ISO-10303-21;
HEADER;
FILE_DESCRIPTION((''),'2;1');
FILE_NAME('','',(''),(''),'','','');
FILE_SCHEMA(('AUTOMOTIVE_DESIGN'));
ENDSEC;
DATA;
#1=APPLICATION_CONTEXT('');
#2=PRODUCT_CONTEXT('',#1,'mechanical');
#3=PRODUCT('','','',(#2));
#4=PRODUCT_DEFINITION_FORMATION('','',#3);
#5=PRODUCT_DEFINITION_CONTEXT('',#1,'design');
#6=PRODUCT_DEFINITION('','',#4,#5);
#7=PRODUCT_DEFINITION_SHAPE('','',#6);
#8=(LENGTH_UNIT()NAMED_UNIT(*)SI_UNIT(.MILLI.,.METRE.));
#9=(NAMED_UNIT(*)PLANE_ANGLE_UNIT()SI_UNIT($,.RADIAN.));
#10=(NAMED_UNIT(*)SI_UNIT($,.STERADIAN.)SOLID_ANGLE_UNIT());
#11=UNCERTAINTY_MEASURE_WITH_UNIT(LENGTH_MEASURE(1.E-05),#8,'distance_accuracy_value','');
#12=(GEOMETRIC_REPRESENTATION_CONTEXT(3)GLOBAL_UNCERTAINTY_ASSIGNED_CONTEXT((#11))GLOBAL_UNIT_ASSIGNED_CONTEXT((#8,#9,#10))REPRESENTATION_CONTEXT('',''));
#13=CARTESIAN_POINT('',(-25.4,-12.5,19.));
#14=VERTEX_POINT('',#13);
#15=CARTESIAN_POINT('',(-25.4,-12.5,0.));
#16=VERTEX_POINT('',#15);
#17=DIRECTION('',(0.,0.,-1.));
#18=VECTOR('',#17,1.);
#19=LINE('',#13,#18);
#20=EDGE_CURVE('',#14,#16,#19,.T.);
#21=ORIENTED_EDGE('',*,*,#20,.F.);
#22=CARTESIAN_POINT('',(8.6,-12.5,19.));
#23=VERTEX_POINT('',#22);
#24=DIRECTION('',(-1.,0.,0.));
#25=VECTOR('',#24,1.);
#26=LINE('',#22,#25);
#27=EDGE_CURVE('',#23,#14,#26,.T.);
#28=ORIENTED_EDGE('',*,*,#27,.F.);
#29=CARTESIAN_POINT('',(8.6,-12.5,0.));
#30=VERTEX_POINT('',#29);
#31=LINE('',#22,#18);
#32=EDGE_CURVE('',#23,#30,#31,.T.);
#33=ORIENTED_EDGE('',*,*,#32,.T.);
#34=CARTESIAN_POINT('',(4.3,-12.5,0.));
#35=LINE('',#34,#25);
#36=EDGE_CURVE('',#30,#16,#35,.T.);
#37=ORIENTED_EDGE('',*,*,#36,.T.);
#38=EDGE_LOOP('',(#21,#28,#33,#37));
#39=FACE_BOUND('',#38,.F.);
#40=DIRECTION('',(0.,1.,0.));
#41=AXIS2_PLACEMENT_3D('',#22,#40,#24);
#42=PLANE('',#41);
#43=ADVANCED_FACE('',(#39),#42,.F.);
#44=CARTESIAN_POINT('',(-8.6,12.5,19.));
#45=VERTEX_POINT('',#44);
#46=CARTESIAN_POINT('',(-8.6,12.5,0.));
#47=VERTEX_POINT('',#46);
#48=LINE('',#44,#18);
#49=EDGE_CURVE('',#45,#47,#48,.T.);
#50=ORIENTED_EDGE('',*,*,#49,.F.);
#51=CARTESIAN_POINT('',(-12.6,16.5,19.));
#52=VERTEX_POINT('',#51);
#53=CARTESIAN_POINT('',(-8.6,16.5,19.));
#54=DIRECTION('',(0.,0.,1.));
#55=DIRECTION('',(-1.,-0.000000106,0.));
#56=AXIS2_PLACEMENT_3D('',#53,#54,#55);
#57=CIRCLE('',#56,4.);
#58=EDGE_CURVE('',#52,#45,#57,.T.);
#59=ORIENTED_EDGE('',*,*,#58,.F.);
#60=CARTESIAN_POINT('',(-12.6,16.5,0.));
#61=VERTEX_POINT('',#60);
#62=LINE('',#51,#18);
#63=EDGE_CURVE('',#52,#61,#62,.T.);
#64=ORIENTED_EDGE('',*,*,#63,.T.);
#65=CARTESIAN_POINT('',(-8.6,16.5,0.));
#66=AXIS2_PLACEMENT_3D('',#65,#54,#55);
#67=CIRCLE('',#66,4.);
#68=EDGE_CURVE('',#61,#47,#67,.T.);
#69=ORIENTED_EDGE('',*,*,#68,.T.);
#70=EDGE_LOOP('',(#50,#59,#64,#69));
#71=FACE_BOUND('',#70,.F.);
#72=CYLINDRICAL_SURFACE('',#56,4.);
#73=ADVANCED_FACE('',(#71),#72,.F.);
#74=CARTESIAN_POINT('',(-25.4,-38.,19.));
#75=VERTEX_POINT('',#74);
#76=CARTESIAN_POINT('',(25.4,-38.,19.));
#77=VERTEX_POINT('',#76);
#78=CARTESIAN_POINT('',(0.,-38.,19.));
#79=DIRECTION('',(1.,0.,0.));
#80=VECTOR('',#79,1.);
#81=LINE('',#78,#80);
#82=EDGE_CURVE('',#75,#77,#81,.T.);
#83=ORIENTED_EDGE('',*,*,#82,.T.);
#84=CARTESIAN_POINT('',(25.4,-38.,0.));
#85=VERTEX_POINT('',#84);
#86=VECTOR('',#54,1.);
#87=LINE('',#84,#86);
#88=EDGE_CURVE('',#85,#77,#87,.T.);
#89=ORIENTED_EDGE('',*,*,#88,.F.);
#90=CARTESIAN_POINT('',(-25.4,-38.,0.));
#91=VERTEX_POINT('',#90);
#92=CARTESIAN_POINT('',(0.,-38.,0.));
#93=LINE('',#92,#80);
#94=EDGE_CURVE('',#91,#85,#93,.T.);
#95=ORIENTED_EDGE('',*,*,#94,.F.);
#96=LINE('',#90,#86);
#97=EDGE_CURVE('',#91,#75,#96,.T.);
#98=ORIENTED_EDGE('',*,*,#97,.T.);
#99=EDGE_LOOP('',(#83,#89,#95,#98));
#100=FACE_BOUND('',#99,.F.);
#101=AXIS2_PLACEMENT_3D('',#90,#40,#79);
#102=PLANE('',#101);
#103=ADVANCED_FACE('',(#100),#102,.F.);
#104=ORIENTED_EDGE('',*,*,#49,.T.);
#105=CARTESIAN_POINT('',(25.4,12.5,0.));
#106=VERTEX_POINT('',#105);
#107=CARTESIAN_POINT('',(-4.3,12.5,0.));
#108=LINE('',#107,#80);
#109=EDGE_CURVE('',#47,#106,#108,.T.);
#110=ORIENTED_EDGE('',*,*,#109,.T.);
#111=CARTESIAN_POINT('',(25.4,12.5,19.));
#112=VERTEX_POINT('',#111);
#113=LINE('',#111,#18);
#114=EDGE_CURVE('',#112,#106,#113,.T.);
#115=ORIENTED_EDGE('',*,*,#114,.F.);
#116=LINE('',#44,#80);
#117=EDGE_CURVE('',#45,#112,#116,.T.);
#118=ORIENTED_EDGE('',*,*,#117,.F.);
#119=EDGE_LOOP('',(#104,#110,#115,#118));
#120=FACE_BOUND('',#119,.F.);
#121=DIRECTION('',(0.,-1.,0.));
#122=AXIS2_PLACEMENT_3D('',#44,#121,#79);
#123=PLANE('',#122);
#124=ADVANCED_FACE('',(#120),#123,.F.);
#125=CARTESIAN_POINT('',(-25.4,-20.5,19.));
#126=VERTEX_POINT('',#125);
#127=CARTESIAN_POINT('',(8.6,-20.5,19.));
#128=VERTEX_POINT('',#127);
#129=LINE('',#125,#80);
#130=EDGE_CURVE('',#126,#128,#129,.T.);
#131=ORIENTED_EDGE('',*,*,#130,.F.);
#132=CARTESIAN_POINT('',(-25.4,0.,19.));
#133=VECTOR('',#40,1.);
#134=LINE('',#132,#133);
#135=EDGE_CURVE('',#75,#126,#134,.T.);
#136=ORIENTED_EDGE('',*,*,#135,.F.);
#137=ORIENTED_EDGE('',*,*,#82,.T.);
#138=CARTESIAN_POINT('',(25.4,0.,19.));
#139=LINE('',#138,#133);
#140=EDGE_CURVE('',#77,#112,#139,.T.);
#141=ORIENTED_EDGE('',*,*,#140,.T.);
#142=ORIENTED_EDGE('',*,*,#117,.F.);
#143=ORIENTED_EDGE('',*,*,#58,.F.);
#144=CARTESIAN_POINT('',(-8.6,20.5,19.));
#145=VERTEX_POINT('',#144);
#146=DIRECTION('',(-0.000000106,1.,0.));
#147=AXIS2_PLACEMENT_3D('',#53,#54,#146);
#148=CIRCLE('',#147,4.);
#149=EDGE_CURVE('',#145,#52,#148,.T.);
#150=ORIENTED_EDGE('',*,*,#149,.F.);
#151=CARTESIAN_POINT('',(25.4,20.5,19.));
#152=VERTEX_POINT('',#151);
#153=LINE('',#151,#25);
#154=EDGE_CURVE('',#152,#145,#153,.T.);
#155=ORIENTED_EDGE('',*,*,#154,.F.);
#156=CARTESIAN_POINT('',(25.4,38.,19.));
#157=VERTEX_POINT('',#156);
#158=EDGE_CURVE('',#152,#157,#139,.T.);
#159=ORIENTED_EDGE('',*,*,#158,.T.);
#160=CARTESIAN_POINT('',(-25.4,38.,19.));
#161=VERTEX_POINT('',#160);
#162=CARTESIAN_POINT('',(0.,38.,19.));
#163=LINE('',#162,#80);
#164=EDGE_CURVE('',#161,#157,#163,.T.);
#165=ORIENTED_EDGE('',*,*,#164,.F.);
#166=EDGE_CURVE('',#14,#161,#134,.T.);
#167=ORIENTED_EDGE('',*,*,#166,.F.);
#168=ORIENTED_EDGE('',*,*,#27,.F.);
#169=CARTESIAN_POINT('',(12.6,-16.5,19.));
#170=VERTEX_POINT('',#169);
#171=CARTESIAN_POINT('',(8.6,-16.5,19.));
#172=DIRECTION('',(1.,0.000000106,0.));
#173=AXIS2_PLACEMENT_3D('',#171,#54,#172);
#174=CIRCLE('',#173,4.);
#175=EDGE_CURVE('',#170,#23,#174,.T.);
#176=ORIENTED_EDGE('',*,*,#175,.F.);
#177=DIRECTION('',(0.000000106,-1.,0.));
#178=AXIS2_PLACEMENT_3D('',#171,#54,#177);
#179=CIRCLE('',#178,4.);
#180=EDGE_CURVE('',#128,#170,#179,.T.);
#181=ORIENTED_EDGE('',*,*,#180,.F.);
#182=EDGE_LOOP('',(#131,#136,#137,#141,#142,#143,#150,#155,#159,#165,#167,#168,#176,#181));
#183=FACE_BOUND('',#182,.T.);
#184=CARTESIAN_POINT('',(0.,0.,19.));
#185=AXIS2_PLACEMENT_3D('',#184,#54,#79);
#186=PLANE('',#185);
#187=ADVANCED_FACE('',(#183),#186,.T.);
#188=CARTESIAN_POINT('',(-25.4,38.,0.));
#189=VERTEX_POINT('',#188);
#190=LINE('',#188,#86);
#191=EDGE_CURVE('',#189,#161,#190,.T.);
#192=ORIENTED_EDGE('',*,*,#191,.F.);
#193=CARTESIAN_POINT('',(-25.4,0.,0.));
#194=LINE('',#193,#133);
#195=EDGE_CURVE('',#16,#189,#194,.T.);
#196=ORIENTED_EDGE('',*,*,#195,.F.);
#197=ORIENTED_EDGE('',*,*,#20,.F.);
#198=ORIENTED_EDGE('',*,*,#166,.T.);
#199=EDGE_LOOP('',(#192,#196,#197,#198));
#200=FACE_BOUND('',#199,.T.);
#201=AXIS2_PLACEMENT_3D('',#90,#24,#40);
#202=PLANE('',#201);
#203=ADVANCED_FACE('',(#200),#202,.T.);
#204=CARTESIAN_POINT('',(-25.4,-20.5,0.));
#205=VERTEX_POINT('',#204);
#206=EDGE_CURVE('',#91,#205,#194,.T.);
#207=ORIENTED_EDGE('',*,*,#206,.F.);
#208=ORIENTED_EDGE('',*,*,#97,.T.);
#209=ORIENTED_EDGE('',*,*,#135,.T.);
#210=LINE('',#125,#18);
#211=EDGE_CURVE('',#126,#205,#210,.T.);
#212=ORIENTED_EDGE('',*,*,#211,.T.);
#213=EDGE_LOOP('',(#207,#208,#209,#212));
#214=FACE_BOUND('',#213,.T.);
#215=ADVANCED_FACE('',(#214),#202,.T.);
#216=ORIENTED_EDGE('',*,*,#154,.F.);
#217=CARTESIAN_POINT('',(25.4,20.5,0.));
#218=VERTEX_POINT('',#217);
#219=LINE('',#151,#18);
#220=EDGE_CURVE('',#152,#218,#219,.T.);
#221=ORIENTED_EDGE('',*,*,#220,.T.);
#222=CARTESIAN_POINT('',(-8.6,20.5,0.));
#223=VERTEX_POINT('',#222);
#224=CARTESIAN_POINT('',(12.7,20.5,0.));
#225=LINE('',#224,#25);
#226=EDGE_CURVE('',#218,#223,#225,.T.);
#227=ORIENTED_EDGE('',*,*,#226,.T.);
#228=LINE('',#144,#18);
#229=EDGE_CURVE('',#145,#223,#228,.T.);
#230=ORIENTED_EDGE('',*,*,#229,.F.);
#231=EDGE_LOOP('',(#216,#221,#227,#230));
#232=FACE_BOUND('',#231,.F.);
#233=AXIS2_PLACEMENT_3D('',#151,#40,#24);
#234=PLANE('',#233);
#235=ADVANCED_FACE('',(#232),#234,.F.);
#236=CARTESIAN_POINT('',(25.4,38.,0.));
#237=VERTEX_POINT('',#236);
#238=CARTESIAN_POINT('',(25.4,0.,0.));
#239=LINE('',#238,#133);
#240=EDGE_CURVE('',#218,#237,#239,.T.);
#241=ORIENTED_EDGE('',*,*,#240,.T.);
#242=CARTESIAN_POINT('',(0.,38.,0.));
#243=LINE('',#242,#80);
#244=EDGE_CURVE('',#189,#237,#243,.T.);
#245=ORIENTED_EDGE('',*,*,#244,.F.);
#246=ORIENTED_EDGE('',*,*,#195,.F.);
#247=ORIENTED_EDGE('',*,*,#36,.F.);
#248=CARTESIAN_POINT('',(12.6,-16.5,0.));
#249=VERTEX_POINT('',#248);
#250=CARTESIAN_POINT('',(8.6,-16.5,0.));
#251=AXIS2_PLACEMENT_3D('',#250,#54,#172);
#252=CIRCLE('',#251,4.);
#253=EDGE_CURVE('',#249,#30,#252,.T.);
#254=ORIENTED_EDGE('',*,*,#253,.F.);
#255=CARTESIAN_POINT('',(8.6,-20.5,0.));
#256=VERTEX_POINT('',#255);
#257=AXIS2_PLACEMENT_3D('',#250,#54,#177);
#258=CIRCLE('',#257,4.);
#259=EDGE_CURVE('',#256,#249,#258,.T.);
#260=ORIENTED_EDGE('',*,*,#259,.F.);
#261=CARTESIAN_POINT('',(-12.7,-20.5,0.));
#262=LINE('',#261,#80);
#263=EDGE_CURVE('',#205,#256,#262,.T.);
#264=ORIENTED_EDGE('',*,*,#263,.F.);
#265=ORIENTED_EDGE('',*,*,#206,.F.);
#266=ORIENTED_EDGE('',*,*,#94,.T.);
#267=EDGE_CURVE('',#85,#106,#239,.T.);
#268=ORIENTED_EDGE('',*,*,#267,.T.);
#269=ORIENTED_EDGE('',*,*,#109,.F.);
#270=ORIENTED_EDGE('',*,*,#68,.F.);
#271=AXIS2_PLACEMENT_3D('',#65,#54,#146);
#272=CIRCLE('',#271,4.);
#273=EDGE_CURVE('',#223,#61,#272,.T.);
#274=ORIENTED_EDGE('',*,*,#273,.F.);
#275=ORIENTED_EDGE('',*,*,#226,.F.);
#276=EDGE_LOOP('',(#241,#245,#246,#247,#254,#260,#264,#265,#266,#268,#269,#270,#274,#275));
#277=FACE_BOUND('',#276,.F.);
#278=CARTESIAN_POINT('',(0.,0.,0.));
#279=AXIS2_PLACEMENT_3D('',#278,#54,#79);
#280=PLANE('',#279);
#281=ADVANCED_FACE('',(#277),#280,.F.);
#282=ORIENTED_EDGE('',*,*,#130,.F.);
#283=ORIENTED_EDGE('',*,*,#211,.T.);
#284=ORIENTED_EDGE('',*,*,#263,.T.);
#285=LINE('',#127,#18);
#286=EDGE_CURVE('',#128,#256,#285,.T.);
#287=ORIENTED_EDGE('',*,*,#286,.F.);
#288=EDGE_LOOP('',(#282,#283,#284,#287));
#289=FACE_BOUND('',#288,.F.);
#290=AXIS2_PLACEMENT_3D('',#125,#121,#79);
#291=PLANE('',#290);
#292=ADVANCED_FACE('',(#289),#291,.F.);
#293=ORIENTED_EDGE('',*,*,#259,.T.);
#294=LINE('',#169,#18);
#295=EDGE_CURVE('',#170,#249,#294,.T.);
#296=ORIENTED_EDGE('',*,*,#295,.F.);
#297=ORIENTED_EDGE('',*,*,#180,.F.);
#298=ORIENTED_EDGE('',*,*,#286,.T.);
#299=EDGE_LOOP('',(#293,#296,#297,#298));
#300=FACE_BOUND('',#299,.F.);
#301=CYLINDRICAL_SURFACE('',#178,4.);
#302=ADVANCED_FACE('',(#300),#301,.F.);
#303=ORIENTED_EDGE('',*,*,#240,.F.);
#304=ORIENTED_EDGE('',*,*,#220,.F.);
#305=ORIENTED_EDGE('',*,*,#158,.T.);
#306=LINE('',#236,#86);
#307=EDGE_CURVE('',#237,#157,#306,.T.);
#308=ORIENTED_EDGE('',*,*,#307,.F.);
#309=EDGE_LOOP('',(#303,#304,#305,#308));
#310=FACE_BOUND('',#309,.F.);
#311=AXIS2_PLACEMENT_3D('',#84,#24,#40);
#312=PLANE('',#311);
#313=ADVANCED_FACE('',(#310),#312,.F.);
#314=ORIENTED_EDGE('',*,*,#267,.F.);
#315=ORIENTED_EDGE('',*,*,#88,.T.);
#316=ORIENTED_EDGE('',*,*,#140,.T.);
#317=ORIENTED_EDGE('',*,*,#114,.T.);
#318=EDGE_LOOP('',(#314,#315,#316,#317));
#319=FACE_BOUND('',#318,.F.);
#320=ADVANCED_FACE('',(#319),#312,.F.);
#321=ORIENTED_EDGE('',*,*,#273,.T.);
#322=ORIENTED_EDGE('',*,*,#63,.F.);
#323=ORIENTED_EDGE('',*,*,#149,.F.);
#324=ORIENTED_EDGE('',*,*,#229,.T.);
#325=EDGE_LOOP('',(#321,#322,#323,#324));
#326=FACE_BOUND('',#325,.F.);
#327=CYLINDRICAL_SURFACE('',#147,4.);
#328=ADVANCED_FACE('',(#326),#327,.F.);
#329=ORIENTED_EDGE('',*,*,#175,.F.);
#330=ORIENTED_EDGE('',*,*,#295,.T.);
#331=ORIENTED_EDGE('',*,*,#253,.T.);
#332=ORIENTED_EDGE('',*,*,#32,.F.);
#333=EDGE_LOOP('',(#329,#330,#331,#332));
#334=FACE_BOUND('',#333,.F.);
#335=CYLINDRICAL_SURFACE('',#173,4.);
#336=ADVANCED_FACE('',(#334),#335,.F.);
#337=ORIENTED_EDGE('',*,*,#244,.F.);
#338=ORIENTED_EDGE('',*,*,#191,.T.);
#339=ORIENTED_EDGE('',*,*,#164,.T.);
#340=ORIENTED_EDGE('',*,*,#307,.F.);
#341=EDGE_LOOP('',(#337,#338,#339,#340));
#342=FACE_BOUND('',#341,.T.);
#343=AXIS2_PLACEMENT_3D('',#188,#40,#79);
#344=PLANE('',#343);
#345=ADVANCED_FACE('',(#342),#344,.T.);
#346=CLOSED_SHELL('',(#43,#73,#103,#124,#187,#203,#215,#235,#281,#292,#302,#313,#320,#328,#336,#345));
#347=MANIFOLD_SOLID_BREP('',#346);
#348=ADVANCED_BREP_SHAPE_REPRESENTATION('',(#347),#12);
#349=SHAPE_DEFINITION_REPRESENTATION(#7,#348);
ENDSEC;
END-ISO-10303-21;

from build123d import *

# Parameters (mm, degrees)
F0_W     = 50.8
F0_H     = 76
F1_DEPTH = 19
F3_DEPTH = 19.001
F5_DEPTH = 19.001


with BuildPart() as f1:
    # F0 (on Top) → F1 (new body)
    with BuildSketch(Plane.XY):
        Rectangle(F0_W, F0_H)
    extrude(amount=F1_DEPTH)

    # F2 (on face) → F3 (cut, through all)
    with BuildSketch(Plane.XY.offset(19)):
        with BuildLine():
            Line((-25.4, -12.5), (-25.4, -20.5))
            Line((-25.4, -20.5), (8.6, -20.5))
            ThreePointArc((8.6, -20.5), (11.428427, -19.328427), (12.6, -16.5))
            ThreePointArc((12.6, -16.5), (11.428427, -13.671573), (8.6, -12.5))
            Line((8.6, -12.5), (-25.4, -12.5))
        make_face()
    extrude(amount=-F3_DEPTH, mode=Mode.SUBTRACT)

    # F4 (on face) → F5 (cut, through all)
    with BuildSketch(Plane.XY.offset(19)):
        with BuildLine():
            Line((25.4, 12.5), (25.4, 20.5))
            Line((25.4, 20.5), (-8.6, 20.5))
            ThreePointArc((-8.6, 20.5), (-11.428427, 19.328427), (-12.6, 16.5))
            ThreePointArc((-12.6, 16.5), (-11.428427, 13.671573), (-8.6, 12.5))
            Line((-8.6, 12.5), (25.4, 12.5))
        make_face()
    extrude(amount=-F5_DEPTH, mode=Mode.SUBTRACT)


solid = f1.part
